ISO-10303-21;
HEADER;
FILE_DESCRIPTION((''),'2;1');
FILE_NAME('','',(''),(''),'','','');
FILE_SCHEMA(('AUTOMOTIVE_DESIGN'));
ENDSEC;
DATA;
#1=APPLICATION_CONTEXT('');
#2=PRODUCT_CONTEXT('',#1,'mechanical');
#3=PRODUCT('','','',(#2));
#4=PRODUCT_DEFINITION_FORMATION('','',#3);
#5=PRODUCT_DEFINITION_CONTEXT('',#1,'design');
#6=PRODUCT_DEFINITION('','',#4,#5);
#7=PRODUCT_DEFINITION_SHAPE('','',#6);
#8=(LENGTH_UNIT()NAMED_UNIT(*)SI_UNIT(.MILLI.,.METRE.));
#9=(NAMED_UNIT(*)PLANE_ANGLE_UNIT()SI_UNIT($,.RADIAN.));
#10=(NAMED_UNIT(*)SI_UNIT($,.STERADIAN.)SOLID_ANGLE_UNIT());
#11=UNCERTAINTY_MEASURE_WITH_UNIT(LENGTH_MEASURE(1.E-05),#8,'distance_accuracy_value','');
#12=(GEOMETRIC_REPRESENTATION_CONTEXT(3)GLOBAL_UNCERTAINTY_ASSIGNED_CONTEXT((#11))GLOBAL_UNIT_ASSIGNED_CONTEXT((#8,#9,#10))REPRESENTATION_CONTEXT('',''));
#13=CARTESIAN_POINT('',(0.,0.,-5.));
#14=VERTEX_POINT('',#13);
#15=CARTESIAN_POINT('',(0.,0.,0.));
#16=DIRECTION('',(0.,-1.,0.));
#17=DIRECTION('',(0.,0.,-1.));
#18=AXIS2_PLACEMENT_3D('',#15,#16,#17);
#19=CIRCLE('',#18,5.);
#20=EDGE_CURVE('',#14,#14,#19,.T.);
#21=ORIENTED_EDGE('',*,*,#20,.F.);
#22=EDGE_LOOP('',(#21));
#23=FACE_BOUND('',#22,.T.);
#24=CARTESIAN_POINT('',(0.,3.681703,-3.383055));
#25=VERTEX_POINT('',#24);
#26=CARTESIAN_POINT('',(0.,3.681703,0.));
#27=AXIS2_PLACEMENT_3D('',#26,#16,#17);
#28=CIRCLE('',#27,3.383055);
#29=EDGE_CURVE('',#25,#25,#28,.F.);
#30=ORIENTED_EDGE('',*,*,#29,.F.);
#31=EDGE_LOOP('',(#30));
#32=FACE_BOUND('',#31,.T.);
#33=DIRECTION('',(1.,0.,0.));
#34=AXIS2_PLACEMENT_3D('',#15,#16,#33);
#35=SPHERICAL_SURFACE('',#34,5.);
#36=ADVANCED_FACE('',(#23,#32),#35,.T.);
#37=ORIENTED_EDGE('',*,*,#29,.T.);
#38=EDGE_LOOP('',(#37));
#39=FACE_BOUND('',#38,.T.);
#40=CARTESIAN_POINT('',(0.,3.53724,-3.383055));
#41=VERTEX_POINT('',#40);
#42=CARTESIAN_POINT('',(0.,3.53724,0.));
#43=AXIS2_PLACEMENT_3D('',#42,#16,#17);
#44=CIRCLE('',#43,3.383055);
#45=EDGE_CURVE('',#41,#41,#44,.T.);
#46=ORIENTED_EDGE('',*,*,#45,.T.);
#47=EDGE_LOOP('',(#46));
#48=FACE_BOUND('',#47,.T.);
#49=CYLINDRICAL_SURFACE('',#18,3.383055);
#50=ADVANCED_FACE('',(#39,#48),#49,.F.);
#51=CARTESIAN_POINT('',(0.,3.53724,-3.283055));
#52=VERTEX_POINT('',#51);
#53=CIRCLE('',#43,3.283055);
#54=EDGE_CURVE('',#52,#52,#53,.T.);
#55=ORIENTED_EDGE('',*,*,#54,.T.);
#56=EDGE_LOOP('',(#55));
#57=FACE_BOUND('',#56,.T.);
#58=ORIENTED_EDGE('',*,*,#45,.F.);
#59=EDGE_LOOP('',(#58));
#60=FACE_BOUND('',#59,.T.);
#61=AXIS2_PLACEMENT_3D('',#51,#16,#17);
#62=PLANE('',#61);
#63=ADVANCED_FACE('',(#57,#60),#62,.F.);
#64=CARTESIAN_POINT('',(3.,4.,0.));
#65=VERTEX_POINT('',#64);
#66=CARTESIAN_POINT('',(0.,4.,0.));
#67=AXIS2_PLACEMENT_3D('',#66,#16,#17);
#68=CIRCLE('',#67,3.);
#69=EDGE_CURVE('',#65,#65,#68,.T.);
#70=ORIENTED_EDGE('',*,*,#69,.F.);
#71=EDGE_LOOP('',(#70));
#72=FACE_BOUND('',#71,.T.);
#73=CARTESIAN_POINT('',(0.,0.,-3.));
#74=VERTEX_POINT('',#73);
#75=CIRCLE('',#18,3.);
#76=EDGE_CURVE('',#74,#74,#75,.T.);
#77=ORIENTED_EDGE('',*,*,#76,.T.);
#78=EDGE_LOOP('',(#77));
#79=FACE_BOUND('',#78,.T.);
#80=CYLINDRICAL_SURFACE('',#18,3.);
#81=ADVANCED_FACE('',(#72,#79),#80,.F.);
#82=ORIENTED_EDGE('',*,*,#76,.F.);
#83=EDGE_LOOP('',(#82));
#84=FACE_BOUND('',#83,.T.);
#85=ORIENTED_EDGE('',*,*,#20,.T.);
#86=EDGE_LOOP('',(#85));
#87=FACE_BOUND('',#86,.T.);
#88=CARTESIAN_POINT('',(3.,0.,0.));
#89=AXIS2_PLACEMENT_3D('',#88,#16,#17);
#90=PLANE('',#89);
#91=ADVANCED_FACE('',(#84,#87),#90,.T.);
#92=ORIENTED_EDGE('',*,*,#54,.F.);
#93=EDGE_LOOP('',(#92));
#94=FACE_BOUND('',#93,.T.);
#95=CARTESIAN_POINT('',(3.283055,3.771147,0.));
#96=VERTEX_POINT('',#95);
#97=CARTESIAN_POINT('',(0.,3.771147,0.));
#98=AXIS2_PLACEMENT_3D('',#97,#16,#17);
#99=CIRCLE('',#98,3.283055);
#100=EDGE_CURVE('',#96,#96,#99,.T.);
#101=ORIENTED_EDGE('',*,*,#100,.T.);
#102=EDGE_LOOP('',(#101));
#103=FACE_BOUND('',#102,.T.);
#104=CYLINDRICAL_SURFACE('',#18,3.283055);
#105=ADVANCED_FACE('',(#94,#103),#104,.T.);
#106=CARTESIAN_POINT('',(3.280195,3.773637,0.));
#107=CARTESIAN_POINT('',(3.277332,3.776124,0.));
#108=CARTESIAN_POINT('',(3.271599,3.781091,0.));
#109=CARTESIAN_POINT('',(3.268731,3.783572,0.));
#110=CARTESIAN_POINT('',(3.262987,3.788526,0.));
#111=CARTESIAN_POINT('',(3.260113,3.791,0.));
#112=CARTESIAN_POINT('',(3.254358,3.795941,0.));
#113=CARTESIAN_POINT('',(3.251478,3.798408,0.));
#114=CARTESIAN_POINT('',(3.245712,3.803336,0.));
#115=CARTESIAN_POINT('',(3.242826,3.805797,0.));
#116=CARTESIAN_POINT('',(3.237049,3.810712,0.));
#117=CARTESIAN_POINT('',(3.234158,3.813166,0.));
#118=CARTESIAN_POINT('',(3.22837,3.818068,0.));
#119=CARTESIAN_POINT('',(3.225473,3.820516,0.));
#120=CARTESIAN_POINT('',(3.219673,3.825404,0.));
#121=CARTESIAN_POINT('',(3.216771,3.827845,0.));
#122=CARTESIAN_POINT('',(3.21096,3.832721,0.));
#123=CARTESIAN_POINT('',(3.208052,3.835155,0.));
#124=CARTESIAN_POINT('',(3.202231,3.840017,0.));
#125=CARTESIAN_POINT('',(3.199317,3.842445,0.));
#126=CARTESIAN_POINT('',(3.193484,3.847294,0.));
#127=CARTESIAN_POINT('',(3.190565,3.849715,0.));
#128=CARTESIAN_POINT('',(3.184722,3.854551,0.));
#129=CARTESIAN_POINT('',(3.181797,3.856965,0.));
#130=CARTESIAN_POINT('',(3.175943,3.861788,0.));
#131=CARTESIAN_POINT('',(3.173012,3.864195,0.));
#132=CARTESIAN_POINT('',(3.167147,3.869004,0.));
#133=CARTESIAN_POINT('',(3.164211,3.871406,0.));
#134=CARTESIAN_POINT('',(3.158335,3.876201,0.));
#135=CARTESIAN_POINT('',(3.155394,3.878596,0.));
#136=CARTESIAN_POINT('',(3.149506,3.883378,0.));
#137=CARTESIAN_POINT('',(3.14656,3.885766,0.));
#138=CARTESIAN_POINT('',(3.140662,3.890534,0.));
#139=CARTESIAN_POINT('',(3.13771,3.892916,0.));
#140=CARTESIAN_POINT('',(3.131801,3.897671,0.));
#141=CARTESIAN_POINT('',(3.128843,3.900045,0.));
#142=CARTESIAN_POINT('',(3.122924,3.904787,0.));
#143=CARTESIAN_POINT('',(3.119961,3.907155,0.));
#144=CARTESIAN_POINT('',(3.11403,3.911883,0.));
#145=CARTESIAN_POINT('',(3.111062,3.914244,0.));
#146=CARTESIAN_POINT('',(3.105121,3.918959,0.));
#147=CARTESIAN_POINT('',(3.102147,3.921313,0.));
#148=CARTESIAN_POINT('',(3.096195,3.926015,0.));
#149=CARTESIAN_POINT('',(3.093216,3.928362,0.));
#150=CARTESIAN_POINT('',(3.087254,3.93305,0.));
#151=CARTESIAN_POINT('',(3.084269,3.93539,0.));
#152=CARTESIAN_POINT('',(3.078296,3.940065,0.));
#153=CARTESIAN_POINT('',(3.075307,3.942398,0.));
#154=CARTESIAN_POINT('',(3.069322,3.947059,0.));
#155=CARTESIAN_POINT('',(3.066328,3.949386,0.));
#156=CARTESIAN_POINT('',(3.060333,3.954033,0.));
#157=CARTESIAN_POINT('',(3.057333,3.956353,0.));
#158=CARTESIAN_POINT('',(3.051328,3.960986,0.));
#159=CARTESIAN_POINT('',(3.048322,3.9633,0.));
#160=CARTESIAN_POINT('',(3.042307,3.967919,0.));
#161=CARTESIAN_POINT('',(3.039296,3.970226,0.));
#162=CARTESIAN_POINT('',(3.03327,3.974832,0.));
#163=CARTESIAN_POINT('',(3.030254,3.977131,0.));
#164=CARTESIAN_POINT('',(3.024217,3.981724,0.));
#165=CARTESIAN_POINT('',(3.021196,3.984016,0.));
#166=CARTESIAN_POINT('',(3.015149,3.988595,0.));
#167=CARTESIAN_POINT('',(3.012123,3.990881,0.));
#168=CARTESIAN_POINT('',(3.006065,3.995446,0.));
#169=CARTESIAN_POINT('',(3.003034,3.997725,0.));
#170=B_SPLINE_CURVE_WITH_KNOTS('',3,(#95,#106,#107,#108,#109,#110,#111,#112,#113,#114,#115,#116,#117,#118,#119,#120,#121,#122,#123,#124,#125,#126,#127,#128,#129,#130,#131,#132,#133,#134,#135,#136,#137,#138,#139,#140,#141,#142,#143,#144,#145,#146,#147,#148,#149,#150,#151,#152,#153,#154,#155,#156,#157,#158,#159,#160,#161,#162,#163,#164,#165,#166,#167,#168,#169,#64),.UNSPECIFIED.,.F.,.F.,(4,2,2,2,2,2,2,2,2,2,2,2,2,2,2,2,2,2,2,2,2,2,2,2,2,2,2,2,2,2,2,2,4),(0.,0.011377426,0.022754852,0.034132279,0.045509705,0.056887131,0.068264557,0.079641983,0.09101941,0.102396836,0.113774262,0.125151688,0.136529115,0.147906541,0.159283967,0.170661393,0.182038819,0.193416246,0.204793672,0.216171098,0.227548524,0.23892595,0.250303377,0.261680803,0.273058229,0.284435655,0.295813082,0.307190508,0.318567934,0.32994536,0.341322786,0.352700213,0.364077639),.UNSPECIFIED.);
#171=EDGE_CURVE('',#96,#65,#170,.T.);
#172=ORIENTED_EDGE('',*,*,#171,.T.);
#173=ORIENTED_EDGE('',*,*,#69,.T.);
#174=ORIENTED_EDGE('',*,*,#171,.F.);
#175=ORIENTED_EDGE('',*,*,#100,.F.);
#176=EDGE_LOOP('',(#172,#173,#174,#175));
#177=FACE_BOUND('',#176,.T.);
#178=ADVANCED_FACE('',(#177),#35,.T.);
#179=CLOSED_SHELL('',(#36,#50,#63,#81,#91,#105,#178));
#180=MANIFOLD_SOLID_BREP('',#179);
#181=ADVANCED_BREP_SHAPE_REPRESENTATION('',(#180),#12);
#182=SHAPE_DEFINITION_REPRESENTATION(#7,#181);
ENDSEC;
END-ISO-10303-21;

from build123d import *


with BuildPart() as part:
    # Sketch1 → Revolve1 (revolve)
    with BuildSketch(Plane.XY, mode=Mode.PRIVATE) as revolve1_sk:
        with BuildLine():
            Line((3, 0), (3, 4))
            ThreePointArc((3, 4), (4.472135955, 2.236067977), (5, 0))
            Line((5, 0), (3, 0))
        make_face()
    revolve(revolve1_sk.sketch.rotate(Axis((0, 0, 0), (0, 1, 0)), 90), axis=Axis((0, 0, 0), (0, 1, 0)))

    # Sketch2 → Cut-Revolve1 (revolve, cut)
    with BuildSketch(Plane(origin=(0, 0, 0), x_dir=(0, 0, -1), z_dir=(1, 0, 0))):
        Polygon((3.283055217, 3.771146834), (3.283055217, 3.53723963), (3.383055217, 3.53723963), (3.383055217, 3.783827608), (3.383055217, 3.915367926), (3.283055217, 3.915367926), align=None)
    revolve(axis=Axis((0, 0, 0), (0, 1, 0)), mode=Mode.SUBTRACT)


solid = part.part
